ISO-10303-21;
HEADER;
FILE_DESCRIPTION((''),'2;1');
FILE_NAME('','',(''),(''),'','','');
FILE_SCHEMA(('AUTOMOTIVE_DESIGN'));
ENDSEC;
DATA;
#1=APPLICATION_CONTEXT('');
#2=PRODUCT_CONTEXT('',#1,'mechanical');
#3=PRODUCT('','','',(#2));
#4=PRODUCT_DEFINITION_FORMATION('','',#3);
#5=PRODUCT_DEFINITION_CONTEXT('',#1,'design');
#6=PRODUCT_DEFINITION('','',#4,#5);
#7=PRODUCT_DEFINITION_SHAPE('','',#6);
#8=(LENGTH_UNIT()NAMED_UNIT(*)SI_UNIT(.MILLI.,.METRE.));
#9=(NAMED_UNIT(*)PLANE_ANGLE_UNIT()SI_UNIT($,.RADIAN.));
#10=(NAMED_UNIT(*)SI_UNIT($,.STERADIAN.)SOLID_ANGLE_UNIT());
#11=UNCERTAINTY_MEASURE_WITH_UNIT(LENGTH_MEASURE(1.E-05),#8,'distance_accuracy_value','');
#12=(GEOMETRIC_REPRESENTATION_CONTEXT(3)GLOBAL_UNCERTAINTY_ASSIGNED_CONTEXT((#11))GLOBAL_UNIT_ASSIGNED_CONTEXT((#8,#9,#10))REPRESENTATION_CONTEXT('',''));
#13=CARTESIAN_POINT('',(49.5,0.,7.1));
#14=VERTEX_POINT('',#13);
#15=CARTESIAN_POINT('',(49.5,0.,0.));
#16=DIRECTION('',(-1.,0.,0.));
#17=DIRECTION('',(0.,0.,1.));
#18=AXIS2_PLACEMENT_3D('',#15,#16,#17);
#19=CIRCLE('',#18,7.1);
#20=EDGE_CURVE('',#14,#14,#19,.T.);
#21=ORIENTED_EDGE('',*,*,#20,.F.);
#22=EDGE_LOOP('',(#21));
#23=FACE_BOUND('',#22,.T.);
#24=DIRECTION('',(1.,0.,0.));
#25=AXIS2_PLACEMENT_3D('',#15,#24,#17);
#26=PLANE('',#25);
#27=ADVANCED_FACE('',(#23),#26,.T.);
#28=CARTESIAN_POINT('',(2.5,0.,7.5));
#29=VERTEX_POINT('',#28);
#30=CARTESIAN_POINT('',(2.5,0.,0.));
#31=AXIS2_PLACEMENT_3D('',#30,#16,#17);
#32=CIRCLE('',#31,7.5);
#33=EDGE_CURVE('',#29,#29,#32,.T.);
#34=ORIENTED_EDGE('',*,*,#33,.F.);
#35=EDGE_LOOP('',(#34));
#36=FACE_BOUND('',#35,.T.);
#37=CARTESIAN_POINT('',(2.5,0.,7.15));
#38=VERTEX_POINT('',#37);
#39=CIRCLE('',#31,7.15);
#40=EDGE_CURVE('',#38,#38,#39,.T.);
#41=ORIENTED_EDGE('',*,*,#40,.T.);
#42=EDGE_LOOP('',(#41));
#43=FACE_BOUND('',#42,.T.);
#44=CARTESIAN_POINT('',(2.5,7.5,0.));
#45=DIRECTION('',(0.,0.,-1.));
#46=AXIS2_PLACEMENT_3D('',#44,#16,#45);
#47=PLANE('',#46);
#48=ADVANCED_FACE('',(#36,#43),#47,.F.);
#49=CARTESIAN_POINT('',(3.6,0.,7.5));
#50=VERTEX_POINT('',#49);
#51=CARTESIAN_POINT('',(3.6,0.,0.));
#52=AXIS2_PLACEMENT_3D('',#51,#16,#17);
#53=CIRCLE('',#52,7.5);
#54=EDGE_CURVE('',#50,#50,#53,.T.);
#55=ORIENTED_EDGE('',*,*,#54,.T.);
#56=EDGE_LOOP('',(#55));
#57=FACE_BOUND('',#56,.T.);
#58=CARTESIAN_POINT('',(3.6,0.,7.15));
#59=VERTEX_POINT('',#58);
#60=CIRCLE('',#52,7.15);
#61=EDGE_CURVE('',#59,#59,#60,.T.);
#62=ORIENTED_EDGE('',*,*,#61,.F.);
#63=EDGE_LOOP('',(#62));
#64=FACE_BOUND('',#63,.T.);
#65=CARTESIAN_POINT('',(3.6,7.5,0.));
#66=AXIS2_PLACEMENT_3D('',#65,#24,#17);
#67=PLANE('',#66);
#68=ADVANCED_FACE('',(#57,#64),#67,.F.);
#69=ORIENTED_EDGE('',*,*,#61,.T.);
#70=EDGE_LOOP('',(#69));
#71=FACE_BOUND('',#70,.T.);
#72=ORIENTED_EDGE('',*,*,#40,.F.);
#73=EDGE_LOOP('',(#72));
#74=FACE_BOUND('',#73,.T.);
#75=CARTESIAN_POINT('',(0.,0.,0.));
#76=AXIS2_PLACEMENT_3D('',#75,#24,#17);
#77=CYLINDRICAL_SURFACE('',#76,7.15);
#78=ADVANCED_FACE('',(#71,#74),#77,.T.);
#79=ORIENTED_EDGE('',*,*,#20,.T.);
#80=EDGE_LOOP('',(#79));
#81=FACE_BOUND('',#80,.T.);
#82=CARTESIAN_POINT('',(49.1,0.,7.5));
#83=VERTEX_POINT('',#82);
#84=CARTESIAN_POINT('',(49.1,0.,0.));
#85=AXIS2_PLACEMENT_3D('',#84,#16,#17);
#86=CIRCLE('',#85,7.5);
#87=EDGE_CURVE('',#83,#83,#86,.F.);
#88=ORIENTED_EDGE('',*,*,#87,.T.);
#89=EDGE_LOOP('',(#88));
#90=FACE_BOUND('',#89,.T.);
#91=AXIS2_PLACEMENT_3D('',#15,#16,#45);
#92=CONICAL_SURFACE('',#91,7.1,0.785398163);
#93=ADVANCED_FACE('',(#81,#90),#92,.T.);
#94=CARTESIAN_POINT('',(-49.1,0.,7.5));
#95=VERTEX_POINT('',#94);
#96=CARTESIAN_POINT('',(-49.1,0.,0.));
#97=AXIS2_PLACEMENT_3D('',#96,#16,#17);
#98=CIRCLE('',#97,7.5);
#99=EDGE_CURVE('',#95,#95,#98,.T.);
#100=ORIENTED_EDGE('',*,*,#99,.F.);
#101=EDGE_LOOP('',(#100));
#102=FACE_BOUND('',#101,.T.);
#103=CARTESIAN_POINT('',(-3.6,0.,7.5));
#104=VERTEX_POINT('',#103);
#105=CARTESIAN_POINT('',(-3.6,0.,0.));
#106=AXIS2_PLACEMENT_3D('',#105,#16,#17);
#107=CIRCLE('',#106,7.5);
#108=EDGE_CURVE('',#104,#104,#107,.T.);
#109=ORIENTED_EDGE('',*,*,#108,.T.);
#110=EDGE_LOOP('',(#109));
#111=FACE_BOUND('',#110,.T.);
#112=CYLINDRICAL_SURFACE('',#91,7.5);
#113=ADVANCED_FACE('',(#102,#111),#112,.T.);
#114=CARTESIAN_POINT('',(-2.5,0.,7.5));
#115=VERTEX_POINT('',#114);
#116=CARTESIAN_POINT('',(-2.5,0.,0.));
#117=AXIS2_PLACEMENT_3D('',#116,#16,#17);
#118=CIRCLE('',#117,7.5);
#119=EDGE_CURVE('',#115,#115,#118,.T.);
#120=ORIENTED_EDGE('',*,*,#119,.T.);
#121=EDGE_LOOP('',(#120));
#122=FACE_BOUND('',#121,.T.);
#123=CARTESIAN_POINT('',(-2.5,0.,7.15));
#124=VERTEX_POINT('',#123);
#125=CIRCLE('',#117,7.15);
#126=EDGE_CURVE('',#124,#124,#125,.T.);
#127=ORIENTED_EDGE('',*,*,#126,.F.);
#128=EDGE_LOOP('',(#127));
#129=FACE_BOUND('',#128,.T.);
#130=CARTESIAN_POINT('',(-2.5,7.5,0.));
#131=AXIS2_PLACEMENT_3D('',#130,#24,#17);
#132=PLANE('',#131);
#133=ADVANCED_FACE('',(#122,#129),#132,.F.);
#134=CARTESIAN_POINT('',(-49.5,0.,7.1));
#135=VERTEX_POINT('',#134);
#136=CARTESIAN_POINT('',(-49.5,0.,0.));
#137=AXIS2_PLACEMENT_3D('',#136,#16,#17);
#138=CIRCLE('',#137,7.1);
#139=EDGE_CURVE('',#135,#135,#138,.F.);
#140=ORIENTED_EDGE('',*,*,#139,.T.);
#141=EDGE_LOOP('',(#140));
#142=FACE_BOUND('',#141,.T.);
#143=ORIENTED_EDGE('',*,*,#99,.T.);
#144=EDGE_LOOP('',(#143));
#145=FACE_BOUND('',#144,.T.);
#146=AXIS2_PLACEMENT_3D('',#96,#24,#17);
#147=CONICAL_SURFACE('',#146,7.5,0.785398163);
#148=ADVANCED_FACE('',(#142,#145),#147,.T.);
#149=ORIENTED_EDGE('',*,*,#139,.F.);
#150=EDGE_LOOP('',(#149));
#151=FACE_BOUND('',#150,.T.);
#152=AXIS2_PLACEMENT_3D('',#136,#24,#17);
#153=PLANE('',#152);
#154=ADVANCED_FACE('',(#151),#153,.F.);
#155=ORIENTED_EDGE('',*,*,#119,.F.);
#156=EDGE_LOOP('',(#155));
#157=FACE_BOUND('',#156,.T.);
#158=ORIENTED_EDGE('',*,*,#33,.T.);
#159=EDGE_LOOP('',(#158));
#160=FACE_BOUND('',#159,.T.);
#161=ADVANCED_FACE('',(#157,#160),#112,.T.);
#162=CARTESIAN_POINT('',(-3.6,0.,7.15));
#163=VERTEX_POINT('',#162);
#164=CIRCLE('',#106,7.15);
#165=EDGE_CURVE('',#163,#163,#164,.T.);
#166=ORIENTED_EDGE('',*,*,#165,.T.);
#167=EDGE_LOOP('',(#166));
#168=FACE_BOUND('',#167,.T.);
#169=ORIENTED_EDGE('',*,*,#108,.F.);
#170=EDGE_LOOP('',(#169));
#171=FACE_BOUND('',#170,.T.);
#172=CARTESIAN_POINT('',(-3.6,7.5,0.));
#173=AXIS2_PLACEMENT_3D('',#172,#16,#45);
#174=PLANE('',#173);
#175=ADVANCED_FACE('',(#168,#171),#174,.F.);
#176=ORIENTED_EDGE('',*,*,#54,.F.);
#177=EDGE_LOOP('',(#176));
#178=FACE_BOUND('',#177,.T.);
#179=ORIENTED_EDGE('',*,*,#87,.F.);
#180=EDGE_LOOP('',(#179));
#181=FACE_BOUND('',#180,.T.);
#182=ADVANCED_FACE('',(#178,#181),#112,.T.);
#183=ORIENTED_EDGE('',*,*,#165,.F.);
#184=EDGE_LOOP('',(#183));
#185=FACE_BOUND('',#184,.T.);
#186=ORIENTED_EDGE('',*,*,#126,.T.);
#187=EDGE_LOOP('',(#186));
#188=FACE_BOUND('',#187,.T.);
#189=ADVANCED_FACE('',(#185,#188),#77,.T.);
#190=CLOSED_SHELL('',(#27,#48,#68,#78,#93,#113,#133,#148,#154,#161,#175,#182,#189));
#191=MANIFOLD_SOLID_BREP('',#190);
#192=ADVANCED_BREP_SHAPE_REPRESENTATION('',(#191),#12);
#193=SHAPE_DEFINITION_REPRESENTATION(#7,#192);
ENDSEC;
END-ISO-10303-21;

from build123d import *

# Parameters (mm, degrees)
SKETCH1_R           = 7.5
BOSS_EXTRUDE1_DEPTH = 49.5
CHAMFER1_SIZE       = 0.4
SKETCH2_W           = 1.1
SKETCH2_H           = 0.35


with BuildPart() as part:
    # Sketch1 → Boss-Extrude1 (new, symmetric)
    with BuildSketch(Plane(origin=(0, 0, 0), x_dir=(0, 0, -1), z_dir=(1, 0, 0))):
        Circle(SKETCH1_R)
    extrude(amount=BOSS_EXTRUDE1_DEPTH, both=True)

    # Chamfer1
    chamfer1_edges = [part.edges().sort_by_distance(p)[0] for p in [
        (-49.5, 0, 7.5),
        (49.5, 0, 7.5),
    ]]
    chamfer(chamfer1_edges, length=CHAMFER1_SIZE)

    # Sketch2 → Cut-Revolve1 (revolve, cut)
    with BuildSketch(Plane.XY, mode=Mode.PRIVATE) as cut_revolve1_sk:
        with Locations((-3.05, 7.325)):
            Rectangle(SKETCH2_W, SKETCH2_H)
        with Locations((3.05, 7.325)):
            Rectangle(SKETCH2_W, SKETCH2_H)
    revolve(cut_revolve1_sk.sketch.rotate(Axis((0, 0, 0), (-1, 0, 0)), 90), axis=Axis((0, 0, 0), (-1, 0, 0)), mode=Mode.SUBTRACT)


solid = part.part
